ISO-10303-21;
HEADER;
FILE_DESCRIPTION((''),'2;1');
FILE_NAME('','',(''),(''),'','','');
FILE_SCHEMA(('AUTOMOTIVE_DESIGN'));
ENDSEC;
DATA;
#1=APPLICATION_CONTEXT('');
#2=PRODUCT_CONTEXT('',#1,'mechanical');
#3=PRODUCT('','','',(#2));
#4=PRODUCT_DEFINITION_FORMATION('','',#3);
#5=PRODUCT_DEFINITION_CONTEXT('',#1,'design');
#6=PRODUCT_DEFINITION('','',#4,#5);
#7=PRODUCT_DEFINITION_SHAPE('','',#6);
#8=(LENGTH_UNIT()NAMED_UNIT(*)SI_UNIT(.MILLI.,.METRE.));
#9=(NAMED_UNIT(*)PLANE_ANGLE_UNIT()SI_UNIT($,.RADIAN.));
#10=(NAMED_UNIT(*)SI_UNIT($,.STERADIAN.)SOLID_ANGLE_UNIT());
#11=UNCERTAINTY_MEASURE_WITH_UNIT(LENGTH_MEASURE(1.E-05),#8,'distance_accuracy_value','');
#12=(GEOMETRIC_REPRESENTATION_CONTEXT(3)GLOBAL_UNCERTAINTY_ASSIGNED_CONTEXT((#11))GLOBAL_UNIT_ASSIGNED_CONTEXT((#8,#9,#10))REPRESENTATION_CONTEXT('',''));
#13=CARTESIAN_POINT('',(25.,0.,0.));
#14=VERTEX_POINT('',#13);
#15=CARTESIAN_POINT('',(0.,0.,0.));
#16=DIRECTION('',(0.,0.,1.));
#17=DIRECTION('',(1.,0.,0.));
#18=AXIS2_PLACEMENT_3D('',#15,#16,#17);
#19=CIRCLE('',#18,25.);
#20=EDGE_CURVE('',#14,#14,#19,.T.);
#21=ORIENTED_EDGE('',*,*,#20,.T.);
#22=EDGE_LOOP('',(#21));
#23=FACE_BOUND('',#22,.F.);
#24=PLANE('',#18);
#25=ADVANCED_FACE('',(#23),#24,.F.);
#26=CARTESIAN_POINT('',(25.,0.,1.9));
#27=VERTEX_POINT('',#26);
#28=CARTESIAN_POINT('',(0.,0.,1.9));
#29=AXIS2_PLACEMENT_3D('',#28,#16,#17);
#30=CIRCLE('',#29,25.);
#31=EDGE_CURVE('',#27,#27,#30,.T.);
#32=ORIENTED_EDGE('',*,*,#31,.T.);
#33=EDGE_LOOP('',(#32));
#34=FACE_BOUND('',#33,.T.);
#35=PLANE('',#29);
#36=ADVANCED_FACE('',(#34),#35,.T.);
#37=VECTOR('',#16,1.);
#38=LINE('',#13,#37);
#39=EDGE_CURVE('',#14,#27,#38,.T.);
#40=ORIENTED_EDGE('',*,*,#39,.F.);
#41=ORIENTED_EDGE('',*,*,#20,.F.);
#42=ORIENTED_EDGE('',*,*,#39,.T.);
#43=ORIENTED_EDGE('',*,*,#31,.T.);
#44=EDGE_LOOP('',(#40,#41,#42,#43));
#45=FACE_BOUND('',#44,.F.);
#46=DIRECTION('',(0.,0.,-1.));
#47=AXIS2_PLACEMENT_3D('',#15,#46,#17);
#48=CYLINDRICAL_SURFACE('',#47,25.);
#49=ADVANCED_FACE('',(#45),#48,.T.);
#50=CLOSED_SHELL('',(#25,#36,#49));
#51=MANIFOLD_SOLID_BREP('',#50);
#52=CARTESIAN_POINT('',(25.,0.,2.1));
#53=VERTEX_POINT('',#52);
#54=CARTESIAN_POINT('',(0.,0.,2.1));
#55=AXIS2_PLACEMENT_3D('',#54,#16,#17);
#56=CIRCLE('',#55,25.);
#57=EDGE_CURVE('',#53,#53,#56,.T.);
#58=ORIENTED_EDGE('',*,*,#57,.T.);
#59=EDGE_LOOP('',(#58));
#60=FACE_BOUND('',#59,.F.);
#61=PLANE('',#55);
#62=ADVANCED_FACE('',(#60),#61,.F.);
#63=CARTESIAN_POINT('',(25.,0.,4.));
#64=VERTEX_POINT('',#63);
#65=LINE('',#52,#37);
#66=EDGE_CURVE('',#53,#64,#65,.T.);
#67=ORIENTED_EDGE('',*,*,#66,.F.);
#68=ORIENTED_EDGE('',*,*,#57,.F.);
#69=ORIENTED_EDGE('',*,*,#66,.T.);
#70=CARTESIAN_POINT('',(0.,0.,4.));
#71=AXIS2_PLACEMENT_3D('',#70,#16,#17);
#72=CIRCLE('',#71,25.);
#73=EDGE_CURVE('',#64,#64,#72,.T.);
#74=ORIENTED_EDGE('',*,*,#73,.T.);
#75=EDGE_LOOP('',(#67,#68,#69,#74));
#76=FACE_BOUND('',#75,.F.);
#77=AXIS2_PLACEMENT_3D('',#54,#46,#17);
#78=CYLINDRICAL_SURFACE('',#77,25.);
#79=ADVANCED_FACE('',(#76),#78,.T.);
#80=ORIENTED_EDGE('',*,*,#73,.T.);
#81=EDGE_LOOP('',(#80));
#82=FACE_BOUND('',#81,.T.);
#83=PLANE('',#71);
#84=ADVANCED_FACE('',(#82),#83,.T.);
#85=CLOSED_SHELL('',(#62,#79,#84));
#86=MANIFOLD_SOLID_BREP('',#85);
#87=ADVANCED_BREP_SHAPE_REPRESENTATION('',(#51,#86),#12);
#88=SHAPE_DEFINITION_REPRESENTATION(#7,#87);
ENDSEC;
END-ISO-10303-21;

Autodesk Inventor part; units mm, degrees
ref_plane "YZ Plane" through (0, 0, 0) normal (1, 0, 0) x (0, 1, 0)
ref_plane "XZ Plane" through (0, 0, 0) normal (0, 1, 0) x (-1, 0, 0)
ref_plane "XY Plane" through (0, 0, 0) normal (0, 0, 1) x (1, 0, 0)
sketch "Sketch1" plane through (0, 0, 0) normal (0, 0, 1) x (1, 0, 0)
  circle A0 centre (0, 0) radius 25
  dimension "d0" = 50
extrude "Extrusion1" add sketch "Sketch1" along normal blind 1.9
pattern_linear "Rectangular Pattern1" count 2 spacing 2.1 along (0, 0, 1) of "Extrusion1"
properties part number "Game_CircleMarkers"
